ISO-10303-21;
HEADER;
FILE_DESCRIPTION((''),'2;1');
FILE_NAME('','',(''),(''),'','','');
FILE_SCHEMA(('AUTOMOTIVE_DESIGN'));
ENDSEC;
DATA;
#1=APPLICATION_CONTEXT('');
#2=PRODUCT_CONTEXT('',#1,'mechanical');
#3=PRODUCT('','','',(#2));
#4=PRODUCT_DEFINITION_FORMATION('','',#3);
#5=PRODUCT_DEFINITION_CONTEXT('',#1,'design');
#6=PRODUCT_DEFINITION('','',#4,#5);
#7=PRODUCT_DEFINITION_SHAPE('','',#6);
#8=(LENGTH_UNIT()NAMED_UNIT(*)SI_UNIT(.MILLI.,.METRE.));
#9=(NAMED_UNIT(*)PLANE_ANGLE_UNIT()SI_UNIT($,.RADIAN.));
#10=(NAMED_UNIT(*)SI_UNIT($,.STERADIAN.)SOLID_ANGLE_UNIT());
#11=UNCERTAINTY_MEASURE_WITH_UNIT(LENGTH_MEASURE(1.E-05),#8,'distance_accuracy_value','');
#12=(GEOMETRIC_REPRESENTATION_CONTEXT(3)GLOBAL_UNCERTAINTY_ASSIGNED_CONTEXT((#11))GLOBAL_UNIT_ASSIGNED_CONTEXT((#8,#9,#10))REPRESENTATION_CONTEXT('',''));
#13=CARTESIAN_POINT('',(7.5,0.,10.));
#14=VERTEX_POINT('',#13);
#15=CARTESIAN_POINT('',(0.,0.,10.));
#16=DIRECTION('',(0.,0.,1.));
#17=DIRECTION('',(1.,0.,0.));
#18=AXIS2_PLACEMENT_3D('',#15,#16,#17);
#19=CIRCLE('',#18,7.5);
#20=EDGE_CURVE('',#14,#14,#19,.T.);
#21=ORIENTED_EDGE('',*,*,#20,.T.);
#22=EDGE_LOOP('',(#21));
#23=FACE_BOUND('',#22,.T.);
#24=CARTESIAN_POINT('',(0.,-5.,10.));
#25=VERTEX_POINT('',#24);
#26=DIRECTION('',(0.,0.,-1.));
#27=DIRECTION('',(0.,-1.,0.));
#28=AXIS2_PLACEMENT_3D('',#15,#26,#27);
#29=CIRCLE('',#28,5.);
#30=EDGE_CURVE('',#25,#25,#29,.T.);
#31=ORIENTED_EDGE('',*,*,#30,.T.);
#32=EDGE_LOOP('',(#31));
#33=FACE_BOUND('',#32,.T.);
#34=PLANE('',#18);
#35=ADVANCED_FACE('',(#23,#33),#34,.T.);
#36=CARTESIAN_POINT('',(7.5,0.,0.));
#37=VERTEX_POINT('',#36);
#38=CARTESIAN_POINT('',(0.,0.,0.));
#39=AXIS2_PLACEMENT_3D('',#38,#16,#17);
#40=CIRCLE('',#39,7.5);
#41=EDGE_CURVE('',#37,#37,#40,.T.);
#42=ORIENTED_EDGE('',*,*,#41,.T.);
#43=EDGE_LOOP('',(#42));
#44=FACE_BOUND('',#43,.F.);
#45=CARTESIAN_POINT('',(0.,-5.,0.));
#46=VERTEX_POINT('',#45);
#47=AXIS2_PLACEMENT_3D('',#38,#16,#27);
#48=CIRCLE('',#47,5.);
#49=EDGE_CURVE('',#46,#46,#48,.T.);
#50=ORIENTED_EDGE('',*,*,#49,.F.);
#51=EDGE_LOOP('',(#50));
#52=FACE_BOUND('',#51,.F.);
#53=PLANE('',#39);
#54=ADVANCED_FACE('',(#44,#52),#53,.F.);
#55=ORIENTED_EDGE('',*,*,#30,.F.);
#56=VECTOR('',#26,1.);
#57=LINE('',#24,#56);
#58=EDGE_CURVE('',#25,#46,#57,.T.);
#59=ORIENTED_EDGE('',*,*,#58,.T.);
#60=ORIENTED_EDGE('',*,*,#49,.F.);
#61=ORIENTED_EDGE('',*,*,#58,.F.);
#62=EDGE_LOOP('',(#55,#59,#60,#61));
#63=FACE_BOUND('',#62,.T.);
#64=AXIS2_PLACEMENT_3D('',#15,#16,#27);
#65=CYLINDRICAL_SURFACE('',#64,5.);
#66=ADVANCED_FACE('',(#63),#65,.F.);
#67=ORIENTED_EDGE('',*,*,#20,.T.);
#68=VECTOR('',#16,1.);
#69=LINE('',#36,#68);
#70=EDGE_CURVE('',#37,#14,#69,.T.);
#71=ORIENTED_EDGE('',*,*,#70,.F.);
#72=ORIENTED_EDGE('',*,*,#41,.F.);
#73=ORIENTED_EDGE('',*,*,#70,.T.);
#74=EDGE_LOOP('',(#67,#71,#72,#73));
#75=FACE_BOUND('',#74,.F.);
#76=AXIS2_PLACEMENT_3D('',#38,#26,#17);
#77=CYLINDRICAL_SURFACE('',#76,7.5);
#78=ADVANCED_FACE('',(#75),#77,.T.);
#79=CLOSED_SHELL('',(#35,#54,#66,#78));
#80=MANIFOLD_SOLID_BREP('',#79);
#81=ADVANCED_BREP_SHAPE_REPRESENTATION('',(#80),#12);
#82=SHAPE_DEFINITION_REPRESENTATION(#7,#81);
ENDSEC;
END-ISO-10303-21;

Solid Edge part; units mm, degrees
sketch "Sketch1" plane through (0, 0, 0) normal (0, 0, 1) x (1, 0, 0)
  circle A0 centre (0, 0) radius 7.5
extrude "Protrusion1" add sketch "Sketch1" along normal blind 10
hole "Bohrung_1" at (0, 0, 10) direction (0, 0, -1) diameter 10 end up to next
